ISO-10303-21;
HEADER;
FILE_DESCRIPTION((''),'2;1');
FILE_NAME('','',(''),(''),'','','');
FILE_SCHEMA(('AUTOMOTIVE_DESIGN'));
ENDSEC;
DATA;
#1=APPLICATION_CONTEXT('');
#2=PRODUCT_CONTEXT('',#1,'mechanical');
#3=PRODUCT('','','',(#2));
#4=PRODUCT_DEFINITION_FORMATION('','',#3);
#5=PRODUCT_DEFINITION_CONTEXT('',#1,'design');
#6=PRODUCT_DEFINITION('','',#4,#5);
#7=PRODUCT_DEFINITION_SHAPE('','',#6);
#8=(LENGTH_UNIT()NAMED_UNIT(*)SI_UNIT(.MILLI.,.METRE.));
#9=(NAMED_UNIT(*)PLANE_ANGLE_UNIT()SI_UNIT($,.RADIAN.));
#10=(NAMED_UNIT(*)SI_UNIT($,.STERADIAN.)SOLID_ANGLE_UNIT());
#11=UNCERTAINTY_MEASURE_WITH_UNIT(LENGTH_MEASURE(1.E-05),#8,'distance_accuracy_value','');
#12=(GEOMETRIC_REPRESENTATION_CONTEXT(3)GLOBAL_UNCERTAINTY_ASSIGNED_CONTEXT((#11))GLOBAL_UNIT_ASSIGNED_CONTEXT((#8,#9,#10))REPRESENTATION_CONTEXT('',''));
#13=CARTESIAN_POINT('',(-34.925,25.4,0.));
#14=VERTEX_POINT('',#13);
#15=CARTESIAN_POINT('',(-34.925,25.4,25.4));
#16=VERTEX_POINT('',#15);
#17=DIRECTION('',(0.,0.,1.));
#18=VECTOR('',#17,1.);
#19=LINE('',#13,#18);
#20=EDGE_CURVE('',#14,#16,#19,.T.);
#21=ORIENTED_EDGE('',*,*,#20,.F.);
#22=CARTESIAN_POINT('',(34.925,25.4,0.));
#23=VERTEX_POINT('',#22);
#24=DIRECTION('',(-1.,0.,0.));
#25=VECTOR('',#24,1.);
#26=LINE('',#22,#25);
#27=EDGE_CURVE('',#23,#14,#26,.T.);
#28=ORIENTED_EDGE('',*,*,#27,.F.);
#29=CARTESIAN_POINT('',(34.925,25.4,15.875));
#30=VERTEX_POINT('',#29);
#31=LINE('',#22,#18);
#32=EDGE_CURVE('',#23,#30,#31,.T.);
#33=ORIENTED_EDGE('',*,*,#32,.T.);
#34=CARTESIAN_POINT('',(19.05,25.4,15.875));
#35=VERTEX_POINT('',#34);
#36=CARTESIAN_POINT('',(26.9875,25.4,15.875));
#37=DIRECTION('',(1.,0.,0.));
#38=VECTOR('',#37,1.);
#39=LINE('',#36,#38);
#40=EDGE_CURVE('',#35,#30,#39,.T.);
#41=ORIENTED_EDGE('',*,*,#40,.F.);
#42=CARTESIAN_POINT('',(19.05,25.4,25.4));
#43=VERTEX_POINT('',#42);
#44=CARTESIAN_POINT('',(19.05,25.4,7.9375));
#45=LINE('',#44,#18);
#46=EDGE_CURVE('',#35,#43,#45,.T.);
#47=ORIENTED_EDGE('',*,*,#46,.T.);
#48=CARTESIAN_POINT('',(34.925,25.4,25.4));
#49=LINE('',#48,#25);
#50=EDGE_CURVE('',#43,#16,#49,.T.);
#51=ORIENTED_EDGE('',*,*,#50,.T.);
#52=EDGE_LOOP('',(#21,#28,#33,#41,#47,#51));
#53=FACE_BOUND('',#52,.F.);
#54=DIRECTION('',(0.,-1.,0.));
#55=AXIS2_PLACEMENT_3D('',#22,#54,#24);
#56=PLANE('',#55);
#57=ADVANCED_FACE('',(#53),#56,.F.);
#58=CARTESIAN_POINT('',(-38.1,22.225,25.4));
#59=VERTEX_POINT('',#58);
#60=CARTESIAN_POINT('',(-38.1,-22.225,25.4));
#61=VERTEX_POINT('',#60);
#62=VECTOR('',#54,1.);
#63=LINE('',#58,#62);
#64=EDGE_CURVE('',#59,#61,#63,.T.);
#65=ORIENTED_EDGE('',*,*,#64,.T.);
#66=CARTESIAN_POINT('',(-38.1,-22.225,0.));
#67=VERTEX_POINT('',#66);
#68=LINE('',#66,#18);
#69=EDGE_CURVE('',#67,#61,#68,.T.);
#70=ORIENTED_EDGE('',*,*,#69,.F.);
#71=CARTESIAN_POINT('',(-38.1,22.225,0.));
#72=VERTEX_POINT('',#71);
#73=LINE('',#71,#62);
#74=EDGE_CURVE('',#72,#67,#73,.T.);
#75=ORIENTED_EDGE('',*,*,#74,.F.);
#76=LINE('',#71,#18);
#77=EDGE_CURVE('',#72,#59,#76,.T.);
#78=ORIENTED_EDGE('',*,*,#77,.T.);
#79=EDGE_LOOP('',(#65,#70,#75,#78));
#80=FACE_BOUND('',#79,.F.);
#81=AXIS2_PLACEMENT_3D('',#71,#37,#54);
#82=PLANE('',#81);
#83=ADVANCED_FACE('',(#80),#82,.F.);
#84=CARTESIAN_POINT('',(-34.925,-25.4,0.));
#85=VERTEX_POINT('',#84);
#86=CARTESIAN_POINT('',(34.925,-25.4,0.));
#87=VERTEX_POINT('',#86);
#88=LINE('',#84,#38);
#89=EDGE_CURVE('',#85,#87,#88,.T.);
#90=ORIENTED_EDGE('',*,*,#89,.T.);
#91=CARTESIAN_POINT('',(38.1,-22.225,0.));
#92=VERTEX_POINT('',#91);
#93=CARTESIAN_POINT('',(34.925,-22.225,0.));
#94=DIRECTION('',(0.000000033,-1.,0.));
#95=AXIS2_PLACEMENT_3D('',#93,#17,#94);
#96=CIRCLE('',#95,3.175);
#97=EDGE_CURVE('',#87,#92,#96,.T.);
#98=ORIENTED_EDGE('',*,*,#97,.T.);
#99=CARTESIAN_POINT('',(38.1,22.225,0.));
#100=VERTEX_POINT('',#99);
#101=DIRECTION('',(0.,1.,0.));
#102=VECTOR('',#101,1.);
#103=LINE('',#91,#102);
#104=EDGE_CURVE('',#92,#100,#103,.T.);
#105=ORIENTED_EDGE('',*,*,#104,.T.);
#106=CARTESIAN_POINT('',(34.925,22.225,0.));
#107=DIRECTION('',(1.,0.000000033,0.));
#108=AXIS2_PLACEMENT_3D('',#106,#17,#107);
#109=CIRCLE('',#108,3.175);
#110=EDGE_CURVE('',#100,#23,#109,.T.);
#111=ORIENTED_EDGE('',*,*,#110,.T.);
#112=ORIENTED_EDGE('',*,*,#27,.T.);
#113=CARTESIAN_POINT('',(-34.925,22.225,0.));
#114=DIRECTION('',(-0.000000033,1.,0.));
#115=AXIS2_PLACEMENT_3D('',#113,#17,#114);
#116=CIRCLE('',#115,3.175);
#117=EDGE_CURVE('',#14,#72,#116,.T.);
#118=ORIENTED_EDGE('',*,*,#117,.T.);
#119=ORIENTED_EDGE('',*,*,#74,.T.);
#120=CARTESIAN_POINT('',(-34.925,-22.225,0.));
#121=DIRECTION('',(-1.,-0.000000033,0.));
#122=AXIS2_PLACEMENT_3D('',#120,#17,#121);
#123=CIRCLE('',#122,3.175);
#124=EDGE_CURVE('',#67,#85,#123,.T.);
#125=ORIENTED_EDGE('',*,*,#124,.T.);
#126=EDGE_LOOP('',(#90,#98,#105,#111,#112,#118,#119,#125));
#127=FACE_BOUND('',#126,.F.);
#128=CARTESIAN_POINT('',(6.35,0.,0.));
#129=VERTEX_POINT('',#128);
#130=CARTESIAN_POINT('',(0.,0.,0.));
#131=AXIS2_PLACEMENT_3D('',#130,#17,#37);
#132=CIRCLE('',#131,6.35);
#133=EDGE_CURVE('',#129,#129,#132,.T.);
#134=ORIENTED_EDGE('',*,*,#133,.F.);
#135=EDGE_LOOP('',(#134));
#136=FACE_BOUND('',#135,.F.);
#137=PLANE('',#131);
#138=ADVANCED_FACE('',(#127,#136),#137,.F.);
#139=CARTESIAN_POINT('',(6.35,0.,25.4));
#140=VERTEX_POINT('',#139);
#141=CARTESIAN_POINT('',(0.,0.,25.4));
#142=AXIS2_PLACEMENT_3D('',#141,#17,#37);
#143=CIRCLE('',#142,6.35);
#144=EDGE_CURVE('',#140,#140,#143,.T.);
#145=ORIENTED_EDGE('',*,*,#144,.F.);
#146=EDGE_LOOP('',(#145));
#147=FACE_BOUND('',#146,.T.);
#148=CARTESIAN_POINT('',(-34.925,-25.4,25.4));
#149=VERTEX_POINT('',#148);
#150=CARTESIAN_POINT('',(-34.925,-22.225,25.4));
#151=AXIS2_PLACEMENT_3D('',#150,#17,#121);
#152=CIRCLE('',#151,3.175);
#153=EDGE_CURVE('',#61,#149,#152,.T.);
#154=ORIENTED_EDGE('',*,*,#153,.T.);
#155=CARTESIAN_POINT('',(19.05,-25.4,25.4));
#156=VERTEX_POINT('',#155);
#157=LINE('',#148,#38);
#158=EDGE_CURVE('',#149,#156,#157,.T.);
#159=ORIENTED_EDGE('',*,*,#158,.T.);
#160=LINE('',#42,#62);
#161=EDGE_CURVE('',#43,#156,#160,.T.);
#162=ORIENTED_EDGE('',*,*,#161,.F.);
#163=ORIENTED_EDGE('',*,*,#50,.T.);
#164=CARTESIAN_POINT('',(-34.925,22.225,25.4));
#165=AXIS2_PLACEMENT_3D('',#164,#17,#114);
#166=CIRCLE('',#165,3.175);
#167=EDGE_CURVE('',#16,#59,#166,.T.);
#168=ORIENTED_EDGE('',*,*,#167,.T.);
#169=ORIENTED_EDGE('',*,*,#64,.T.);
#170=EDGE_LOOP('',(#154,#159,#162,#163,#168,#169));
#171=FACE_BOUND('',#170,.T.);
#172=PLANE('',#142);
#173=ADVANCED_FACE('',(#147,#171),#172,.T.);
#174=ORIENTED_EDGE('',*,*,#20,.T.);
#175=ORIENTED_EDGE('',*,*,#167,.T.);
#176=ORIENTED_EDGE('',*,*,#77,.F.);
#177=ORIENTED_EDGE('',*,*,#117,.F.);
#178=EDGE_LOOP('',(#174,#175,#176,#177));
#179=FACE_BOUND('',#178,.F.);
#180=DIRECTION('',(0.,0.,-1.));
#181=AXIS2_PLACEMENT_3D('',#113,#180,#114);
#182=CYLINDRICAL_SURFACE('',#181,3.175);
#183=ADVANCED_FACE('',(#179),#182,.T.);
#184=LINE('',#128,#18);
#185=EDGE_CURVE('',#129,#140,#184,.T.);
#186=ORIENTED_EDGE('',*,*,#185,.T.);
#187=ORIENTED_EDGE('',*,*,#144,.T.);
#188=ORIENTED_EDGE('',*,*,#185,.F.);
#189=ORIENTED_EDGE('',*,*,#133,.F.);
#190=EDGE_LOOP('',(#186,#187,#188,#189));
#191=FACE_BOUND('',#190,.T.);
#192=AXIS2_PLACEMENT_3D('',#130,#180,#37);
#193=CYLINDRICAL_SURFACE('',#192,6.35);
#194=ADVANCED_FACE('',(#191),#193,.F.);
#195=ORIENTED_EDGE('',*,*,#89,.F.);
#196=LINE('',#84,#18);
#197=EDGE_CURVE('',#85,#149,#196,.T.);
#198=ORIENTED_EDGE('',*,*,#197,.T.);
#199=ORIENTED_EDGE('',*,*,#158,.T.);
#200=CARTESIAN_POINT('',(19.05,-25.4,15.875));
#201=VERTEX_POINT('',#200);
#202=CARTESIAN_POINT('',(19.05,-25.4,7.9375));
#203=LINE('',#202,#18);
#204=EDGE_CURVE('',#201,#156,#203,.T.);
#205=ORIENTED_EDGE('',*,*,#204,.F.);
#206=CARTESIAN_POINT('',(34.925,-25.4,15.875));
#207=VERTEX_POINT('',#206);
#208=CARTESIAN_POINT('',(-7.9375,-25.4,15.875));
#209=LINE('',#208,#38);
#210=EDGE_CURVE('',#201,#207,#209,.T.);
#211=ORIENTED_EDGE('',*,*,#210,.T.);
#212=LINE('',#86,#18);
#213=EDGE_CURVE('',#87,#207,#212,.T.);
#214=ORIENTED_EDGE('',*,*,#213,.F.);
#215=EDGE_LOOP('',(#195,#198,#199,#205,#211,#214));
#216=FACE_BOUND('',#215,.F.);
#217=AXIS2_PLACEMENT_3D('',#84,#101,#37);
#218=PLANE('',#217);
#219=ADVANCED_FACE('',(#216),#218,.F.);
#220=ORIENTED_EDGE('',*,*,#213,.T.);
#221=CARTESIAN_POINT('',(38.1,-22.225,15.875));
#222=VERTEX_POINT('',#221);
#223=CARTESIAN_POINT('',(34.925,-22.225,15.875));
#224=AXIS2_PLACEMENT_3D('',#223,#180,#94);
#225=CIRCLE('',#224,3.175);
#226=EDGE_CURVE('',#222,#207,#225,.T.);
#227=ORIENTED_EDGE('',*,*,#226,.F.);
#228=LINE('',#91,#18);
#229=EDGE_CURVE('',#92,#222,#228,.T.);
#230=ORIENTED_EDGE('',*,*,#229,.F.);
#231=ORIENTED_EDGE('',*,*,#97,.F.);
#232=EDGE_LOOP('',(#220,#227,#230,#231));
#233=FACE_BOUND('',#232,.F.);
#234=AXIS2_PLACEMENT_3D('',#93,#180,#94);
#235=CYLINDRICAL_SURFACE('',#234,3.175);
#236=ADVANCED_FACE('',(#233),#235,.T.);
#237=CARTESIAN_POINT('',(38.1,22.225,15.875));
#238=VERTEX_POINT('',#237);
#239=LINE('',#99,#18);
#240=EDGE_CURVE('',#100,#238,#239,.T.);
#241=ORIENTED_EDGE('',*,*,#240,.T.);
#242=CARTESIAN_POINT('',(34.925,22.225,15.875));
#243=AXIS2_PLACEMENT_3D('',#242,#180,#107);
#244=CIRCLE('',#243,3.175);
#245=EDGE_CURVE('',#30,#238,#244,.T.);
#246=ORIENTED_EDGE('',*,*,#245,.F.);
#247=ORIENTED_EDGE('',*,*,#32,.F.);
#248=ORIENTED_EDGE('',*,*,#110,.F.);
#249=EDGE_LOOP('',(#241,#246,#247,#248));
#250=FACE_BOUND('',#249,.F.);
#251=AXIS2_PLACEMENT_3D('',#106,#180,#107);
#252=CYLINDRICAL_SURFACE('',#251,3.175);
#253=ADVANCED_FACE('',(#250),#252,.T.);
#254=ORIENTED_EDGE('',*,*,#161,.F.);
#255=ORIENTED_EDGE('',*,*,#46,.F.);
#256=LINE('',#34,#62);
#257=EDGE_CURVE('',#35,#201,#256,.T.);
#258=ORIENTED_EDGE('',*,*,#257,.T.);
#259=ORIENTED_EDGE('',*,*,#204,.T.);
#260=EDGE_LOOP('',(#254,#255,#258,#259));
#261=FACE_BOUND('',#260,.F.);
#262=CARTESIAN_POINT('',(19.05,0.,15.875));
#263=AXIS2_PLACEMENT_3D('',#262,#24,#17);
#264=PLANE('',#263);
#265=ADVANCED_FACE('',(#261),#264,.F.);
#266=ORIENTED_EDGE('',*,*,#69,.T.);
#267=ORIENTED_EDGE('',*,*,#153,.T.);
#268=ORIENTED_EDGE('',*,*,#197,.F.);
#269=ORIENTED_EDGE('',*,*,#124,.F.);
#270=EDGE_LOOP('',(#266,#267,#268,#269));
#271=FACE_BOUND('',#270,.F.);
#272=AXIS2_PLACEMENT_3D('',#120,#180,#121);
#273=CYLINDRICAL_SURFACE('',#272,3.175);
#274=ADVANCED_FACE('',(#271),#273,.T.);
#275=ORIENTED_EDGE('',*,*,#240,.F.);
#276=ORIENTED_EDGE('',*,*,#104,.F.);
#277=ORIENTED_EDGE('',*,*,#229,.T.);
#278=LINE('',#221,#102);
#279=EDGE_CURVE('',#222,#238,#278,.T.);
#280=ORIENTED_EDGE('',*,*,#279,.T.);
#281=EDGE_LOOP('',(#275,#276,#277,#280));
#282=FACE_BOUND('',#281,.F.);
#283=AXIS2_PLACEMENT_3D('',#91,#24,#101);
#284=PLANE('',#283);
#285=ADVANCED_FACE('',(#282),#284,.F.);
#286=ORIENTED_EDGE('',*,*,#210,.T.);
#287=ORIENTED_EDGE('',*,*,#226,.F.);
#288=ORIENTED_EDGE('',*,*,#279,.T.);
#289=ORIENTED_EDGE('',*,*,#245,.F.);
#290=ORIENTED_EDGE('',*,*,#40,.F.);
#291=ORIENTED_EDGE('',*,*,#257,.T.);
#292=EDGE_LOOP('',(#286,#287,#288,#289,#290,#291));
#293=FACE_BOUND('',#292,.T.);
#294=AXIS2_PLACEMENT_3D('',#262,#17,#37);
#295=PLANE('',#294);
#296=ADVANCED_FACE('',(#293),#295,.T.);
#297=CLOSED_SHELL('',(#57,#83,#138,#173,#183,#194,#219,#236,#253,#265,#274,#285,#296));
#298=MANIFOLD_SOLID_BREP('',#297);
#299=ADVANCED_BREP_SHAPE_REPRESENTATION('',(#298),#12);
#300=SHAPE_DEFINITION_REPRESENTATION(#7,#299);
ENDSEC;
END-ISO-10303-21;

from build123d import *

# Parameters (mm, degrees)
F0_R          = 6.35
F1_DEPTH      = 25.4
F2_W          = 19.05
F2_H          = 9.525
F3_DEPTH      = 25.401
F3_DEPTH_BACK = 25.401


with BuildPart() as f1:
    # F0 (on Top) → F1 (new body)
    with BuildSketch(Plane.XY):
        with BuildLine():
            Line((-34.925, -25.4), (34.925, -25.4))
            ThreePointArc((34.925, -25.4), (37.170064, -24.470064), (38.1, -22.225))
            Line((38.1, -22.225), (38.1, 22.225))
            ThreePointArc((38.1, 22.225), (37.170064, 24.470064), (34.925, 25.4))
            Line((34.925, 25.4), (-34.925, 25.4))
            ThreePointArc((-34.925, 25.4), (-37.170064, 24.470064), (-38.1, 22.225))
            Line((-38.1, 22.225), (-38.1, -22.225))
            ThreePointArc((-38.1, -22.225), (-37.170064, -24.470064), (-34.925, -25.4))
        make_face()
        Circle(F0_R, mode=Mode.SUBTRACT)
    extrude(amount=F1_DEPTH)

    # F2 (on Front) → F3 (cut, two sides)
    with BuildSketch(Plane.XZ) as f3_sk:
        with Locations((28.575, 20.6375)):
            Rectangle(F2_W, F2_H)
    extrude(amount=F3_DEPTH, mode=Mode.SUBTRACT)
    extrude(f3_sk.sketch, amount=-F3_DEPTH_BACK, mode=Mode.SUBTRACT)


solid = f1.part
